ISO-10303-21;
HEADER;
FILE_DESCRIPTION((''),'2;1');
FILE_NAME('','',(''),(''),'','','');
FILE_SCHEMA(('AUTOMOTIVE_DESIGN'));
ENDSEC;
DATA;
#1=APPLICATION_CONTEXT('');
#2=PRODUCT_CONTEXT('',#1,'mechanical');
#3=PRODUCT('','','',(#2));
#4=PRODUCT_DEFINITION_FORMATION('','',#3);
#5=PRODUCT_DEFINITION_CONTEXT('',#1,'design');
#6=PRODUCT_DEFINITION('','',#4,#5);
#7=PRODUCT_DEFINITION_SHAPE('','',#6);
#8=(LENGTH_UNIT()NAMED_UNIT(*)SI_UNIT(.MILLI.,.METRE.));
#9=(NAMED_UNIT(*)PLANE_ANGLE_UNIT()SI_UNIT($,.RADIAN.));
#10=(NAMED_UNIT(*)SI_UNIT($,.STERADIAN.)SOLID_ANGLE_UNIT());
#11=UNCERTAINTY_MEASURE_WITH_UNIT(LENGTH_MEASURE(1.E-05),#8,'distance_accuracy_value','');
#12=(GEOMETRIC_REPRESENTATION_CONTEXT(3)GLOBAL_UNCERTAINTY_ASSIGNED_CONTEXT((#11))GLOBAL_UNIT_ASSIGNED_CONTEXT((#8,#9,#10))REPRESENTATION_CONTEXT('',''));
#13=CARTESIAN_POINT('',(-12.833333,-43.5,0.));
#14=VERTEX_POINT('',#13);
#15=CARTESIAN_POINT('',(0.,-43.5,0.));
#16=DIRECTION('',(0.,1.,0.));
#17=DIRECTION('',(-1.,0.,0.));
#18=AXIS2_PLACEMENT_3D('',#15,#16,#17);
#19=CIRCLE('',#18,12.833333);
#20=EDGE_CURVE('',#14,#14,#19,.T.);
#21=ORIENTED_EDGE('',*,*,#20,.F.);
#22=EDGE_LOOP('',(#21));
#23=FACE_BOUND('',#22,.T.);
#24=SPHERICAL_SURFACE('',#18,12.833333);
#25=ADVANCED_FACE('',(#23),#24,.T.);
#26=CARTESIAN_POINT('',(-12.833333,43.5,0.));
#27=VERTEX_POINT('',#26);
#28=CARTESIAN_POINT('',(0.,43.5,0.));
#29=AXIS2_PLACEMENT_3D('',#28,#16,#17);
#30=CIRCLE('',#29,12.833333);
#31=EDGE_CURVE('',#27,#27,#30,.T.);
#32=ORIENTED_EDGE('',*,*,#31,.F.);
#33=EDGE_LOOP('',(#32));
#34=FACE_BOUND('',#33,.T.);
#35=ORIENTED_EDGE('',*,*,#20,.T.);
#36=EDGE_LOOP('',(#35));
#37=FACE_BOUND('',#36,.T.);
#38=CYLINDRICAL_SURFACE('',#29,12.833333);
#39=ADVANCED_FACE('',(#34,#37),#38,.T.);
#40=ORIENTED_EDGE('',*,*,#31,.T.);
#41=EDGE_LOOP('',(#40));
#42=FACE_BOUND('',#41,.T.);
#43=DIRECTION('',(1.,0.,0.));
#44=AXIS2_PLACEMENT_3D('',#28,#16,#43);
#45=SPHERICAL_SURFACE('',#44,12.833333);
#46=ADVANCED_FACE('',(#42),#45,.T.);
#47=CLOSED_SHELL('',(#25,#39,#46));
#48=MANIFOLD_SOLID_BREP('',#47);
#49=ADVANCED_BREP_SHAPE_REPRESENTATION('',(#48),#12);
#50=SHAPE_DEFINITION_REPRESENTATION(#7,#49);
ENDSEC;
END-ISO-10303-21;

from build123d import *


with BuildPart() as part:
    # Sketch1 → Revolve1 (revolve)
    with BuildSketch(Plane.XY):
        with BuildLine():
            Line((0, 43.5), (0, -43.5))
            Line((0, -43.5), (0, -56.333333333))
            ThreePointArc((0, -56.333333333), (9.074537025, -52.574537025), (12.833333333, -43.5))
            Line((12.833333333, -43.5), (12.833333333, 43.5))
            ThreePointArc((12.833333333, 43.5), (9.074537025, 52.574537025), (0, 56.333333333))
            Line((0, 56.333333333), (0, 43.5))
        make_face()
    revolve(axis=Axis((0, 43.5, 0), (0, -1, 0)))


solid = part.part
